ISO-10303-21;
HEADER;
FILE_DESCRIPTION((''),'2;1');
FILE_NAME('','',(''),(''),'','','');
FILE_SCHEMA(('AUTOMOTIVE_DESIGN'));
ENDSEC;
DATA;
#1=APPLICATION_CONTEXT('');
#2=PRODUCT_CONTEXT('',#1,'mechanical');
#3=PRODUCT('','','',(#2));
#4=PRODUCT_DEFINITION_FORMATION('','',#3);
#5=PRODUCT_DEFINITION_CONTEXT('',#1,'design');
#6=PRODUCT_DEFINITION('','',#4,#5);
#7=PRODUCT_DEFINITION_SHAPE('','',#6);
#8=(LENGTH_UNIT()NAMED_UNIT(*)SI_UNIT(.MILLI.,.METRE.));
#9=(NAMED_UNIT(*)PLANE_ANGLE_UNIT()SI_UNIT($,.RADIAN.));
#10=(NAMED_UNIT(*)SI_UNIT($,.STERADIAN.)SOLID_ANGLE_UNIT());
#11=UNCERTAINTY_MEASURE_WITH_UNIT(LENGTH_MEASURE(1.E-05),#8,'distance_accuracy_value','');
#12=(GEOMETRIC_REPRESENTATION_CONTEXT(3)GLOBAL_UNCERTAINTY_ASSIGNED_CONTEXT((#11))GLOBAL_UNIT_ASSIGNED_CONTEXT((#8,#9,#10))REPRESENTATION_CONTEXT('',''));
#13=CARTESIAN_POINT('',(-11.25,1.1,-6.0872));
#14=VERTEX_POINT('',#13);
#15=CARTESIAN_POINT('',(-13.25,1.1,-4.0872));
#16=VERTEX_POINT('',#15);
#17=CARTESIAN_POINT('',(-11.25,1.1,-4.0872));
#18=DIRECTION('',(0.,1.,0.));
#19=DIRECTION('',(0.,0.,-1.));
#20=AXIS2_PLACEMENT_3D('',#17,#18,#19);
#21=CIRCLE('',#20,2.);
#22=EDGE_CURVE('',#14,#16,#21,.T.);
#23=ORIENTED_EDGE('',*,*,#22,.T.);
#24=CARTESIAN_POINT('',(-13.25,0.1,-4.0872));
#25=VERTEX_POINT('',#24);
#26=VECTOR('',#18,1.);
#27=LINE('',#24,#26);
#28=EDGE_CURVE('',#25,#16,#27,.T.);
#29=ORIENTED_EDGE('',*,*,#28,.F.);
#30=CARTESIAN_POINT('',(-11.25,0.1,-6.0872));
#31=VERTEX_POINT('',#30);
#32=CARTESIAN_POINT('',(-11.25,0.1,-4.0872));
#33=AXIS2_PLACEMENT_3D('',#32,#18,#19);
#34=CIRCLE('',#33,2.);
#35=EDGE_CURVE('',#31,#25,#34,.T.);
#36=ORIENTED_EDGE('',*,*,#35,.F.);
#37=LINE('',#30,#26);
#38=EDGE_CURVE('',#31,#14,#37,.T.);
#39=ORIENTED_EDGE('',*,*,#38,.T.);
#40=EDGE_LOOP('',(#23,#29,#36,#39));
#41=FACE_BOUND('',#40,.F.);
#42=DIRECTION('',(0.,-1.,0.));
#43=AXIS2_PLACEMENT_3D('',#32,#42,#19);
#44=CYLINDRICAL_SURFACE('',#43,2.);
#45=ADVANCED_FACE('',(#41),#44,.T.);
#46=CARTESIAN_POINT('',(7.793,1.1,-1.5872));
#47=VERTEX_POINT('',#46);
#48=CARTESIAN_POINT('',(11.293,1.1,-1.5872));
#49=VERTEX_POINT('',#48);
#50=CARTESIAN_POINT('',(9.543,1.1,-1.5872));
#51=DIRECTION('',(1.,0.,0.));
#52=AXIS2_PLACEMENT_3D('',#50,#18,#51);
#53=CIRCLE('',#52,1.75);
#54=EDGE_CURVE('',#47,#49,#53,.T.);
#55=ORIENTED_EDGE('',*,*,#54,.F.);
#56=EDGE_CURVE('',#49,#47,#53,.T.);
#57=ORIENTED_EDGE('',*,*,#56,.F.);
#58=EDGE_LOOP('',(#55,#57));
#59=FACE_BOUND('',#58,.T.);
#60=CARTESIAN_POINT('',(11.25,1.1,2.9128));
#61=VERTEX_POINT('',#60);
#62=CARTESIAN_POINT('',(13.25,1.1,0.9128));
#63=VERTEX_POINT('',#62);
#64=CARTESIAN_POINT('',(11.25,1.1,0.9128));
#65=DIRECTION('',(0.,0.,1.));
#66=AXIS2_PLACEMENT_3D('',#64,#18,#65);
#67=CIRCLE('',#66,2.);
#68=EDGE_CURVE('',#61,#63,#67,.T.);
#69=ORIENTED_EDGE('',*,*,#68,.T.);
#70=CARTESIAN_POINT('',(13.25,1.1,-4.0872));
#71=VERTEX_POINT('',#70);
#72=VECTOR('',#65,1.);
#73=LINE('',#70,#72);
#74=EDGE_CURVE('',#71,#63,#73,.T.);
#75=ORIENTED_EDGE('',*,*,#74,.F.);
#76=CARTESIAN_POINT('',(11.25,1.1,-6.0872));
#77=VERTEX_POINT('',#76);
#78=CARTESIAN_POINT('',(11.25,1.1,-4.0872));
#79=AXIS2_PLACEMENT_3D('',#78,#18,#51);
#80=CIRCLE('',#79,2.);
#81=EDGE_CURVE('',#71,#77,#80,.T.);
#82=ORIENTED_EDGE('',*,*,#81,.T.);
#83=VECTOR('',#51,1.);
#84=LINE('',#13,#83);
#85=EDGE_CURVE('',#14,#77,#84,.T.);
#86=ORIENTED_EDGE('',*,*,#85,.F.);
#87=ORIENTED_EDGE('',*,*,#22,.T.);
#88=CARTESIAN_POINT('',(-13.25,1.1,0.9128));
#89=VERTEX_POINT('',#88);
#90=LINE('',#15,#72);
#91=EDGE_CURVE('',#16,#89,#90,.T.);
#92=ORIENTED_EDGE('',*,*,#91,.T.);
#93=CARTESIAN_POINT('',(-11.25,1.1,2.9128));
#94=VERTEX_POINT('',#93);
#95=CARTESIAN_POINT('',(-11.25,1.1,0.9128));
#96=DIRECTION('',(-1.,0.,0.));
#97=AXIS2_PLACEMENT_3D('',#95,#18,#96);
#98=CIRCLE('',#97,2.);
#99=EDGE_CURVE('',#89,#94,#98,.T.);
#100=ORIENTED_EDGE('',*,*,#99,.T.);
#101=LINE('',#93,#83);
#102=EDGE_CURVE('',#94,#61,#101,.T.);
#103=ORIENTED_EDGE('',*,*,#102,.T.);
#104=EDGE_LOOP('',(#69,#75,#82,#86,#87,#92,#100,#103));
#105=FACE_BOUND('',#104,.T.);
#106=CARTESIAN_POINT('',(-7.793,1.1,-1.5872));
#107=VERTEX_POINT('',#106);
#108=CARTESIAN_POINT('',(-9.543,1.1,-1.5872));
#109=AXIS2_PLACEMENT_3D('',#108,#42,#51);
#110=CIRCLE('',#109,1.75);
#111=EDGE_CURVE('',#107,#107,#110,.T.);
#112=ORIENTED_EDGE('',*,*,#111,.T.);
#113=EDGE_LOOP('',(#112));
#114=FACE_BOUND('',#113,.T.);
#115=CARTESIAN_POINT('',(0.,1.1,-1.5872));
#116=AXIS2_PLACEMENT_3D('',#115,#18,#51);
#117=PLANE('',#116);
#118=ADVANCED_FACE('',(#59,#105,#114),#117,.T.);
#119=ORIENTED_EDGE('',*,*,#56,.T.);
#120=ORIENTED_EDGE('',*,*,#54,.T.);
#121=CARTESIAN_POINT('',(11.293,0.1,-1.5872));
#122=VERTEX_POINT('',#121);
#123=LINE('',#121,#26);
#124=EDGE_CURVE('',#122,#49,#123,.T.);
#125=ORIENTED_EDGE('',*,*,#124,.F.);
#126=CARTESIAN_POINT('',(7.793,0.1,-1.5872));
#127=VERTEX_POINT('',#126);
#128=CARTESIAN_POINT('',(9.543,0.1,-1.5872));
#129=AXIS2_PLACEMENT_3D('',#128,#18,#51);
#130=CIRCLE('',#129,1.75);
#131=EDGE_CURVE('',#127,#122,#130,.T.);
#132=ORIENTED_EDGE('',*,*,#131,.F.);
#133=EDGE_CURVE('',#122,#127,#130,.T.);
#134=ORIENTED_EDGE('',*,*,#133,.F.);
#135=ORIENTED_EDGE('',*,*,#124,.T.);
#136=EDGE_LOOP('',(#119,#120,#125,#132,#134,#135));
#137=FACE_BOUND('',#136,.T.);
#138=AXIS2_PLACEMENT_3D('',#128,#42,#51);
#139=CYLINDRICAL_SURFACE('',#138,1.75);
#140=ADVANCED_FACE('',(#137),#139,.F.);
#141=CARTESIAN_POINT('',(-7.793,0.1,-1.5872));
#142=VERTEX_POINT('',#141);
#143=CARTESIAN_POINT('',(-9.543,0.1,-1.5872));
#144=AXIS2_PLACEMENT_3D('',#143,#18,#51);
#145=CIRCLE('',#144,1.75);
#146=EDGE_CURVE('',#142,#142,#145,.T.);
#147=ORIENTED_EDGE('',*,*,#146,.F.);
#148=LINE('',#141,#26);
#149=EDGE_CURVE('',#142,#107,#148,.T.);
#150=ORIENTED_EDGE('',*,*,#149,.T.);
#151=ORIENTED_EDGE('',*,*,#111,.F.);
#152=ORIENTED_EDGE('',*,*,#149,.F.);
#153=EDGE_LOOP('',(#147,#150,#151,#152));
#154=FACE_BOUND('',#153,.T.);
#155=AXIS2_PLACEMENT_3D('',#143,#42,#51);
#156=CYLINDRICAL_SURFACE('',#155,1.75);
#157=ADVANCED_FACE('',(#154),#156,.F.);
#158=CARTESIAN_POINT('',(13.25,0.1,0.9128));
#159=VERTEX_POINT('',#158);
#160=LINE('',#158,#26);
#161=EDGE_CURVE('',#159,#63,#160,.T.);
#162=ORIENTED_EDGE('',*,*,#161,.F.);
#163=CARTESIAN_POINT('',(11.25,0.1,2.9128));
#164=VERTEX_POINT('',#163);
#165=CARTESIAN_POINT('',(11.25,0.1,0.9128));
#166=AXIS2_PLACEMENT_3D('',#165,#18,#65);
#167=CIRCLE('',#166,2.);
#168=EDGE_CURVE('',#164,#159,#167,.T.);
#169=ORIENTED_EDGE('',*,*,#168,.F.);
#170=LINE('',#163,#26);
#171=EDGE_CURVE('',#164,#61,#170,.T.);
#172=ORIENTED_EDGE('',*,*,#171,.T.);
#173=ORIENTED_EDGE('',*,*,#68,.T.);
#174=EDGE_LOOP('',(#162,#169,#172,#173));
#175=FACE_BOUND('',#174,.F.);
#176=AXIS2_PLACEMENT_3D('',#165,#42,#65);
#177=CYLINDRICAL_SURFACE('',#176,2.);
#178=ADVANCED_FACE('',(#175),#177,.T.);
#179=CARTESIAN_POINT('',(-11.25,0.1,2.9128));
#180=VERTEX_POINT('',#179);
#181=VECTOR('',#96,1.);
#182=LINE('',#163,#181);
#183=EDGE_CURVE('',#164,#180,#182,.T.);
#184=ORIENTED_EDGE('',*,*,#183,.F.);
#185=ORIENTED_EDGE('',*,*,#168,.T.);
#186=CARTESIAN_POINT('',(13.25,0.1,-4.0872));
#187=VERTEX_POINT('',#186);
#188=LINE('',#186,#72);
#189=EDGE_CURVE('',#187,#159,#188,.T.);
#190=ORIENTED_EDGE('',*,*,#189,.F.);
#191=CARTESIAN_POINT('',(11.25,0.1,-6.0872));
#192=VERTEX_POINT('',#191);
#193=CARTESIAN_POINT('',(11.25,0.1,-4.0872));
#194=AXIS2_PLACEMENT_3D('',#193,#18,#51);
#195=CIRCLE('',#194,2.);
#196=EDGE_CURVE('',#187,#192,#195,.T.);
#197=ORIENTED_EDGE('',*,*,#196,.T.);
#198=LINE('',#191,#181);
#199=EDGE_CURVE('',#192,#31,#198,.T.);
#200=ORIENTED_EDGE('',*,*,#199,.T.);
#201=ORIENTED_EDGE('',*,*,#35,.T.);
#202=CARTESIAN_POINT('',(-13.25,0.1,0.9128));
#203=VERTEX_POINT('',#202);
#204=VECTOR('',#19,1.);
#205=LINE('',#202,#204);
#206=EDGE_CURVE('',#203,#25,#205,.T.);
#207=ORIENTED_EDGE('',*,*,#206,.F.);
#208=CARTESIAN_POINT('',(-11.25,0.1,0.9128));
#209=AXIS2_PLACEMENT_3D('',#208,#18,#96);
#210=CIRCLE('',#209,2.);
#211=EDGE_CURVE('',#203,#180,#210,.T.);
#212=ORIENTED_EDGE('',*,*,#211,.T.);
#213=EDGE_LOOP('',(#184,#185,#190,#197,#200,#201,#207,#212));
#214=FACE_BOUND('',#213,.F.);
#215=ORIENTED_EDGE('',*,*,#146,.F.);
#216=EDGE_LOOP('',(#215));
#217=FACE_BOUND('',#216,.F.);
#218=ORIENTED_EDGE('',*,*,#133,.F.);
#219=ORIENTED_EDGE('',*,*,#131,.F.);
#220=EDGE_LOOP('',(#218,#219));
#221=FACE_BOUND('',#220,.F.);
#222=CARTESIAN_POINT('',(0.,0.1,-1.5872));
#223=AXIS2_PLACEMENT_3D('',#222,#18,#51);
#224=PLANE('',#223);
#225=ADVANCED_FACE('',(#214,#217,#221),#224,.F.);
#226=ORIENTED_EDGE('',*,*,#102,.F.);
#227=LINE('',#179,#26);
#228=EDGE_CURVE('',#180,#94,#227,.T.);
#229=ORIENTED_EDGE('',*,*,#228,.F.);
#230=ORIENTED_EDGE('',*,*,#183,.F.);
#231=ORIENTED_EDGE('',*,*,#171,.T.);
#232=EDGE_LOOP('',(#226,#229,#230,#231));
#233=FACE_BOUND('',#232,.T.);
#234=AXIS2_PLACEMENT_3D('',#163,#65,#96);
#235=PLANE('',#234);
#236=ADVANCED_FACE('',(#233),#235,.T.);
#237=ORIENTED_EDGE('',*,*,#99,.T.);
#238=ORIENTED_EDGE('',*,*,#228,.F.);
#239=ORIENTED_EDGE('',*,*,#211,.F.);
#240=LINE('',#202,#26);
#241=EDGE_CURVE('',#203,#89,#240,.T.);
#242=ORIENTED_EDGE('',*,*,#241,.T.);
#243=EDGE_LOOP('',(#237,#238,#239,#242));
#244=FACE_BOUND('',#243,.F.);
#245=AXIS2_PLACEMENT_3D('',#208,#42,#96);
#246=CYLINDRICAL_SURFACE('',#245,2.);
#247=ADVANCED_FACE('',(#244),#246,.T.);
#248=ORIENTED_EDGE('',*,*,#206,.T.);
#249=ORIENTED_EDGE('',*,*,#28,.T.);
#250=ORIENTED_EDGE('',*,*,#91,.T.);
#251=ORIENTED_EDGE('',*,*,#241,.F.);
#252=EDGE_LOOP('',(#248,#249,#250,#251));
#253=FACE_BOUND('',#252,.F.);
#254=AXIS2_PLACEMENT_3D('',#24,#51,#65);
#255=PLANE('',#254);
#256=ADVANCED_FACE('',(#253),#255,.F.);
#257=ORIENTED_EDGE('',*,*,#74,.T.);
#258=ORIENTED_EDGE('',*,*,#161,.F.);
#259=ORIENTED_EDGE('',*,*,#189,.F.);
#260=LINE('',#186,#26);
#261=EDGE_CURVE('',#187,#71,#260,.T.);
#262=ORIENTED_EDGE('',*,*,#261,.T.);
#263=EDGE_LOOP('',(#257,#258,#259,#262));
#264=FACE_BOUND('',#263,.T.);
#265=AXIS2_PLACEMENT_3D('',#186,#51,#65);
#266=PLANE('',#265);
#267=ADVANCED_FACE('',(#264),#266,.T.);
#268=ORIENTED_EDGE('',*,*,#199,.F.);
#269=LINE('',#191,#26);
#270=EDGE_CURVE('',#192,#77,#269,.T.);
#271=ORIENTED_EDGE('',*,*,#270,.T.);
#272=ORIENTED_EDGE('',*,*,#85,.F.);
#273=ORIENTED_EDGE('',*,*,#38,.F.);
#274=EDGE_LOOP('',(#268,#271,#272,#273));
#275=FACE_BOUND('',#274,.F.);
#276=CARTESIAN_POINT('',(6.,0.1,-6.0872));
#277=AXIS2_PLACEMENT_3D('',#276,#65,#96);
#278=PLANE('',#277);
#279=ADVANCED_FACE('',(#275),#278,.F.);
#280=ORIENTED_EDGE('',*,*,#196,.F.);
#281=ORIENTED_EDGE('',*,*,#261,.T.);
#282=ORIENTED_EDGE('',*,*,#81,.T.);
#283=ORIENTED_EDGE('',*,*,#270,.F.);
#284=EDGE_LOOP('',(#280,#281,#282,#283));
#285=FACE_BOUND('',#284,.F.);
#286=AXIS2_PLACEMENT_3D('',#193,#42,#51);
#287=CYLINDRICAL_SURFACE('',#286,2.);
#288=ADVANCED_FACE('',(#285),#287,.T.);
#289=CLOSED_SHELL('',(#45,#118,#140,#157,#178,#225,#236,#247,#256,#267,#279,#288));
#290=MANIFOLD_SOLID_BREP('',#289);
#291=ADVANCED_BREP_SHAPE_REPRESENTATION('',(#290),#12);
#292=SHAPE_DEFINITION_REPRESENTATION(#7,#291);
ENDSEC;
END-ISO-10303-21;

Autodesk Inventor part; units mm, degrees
ref_plane "YZ Plane" through (0, 0, 0) normal (1, 0, 0) x (0, 1, 0)
ref_plane "XZ Plane" through (0, 0, 0) normal (0, 1, 0) x (-1, 0, 0)
ref_plane "XY Plane" through (0, 0, 0) normal (0, 0, 1) x (1, 0, 0)
ref_plane "Płaszczyzna konstrukcyjna1" through (0, 0.1, -1.5872) normal (0, 1, 0) x (1, 0, 0)
sketch "Szkic3" plane through (0, 0.1, -1.5872) normal (0, 1, 0) x (1, 0, 0)
  line L0 (6, 4.5) -> (-6, 4.5)
  line L1 (-6, 4.5) -> (-6, -4.5)
  line L2 (-6, -4.5) -> (6, -4.5)
  line L3 (6, -4.5) -> (6, 4.5)
  line L4 (9.543, 0) -> (-12.3472, 0)
  line L5 (0, 10.0787) -> (0, -13.253)
  line L6 (6, 4.5) -> (11.25, 4.5)
  line L7 (13.25, 2.5) -> (13.25, -2.5)
  line L8 (11.25, -4.5) -> (6, -4.5)
  line L9 (6, -4.5) -> (6, 4.5)
  arc A0 (13.25, 2.5) -> (11.25, 4.5) centre (11.25, 2.5) ccw
  arc A1 (11.25, -4.5) -> (13.25, -2.5) centre (11.25, -2.5) ccw
  line L10 (-13.25, 2.5) -> (-13.25, -2.5)
  arc A2 (-11.25, 4.5) -> (-13.25, 2.5) centre (-11.25, 2.5) ccw
  line L11 (-6, 4.5) -> (-11.25, 4.5)
  arc A3 (-13.25, -2.5) -> (-11.25, -4.5) centre (-11.25, -2.5) ccw
  line L12 (-11.25, -4.5) -> (-6, -4.5)
  line L13 (-13.25, 0.45) -> (-9, 0.45)
  circle A4 centre (9.543, 0) radius 1.75
  circle A5 centre (-9.543, 0) radius 1.75
  point P0 (0, 0)
  point P1 (13.25, 4.5)
  dimension "d26" = 12
  dimension "d25" = 9
  dimension "d24" = 4.5
  dimension "d23" = 6
  dimension "d22" = 7.25
  dimension "d20" = 2
  dimension "d19" = 4.25
  dimension "d18" = 4.05
  dimension "d16" = 19.086
  dimension "d21" = 3.707
  dimension "d17" = 3.5
  dimension "d15" = 3.5
extrude "Wyciągnięcie proste3" add sketch "Szkic3" along normal blind 1 contours L3 L4 L5 L0 | L6 A0 L7 A1 L8 L3 | L5 L4 L1 L0 | L3 L2 L5 L4 | L1 L4 A5 L13 L10 A2 L11 | L5 L2 L1 L4 | L1 L12 A3 L10 L13 A5 L4
properties part number "prent1"
